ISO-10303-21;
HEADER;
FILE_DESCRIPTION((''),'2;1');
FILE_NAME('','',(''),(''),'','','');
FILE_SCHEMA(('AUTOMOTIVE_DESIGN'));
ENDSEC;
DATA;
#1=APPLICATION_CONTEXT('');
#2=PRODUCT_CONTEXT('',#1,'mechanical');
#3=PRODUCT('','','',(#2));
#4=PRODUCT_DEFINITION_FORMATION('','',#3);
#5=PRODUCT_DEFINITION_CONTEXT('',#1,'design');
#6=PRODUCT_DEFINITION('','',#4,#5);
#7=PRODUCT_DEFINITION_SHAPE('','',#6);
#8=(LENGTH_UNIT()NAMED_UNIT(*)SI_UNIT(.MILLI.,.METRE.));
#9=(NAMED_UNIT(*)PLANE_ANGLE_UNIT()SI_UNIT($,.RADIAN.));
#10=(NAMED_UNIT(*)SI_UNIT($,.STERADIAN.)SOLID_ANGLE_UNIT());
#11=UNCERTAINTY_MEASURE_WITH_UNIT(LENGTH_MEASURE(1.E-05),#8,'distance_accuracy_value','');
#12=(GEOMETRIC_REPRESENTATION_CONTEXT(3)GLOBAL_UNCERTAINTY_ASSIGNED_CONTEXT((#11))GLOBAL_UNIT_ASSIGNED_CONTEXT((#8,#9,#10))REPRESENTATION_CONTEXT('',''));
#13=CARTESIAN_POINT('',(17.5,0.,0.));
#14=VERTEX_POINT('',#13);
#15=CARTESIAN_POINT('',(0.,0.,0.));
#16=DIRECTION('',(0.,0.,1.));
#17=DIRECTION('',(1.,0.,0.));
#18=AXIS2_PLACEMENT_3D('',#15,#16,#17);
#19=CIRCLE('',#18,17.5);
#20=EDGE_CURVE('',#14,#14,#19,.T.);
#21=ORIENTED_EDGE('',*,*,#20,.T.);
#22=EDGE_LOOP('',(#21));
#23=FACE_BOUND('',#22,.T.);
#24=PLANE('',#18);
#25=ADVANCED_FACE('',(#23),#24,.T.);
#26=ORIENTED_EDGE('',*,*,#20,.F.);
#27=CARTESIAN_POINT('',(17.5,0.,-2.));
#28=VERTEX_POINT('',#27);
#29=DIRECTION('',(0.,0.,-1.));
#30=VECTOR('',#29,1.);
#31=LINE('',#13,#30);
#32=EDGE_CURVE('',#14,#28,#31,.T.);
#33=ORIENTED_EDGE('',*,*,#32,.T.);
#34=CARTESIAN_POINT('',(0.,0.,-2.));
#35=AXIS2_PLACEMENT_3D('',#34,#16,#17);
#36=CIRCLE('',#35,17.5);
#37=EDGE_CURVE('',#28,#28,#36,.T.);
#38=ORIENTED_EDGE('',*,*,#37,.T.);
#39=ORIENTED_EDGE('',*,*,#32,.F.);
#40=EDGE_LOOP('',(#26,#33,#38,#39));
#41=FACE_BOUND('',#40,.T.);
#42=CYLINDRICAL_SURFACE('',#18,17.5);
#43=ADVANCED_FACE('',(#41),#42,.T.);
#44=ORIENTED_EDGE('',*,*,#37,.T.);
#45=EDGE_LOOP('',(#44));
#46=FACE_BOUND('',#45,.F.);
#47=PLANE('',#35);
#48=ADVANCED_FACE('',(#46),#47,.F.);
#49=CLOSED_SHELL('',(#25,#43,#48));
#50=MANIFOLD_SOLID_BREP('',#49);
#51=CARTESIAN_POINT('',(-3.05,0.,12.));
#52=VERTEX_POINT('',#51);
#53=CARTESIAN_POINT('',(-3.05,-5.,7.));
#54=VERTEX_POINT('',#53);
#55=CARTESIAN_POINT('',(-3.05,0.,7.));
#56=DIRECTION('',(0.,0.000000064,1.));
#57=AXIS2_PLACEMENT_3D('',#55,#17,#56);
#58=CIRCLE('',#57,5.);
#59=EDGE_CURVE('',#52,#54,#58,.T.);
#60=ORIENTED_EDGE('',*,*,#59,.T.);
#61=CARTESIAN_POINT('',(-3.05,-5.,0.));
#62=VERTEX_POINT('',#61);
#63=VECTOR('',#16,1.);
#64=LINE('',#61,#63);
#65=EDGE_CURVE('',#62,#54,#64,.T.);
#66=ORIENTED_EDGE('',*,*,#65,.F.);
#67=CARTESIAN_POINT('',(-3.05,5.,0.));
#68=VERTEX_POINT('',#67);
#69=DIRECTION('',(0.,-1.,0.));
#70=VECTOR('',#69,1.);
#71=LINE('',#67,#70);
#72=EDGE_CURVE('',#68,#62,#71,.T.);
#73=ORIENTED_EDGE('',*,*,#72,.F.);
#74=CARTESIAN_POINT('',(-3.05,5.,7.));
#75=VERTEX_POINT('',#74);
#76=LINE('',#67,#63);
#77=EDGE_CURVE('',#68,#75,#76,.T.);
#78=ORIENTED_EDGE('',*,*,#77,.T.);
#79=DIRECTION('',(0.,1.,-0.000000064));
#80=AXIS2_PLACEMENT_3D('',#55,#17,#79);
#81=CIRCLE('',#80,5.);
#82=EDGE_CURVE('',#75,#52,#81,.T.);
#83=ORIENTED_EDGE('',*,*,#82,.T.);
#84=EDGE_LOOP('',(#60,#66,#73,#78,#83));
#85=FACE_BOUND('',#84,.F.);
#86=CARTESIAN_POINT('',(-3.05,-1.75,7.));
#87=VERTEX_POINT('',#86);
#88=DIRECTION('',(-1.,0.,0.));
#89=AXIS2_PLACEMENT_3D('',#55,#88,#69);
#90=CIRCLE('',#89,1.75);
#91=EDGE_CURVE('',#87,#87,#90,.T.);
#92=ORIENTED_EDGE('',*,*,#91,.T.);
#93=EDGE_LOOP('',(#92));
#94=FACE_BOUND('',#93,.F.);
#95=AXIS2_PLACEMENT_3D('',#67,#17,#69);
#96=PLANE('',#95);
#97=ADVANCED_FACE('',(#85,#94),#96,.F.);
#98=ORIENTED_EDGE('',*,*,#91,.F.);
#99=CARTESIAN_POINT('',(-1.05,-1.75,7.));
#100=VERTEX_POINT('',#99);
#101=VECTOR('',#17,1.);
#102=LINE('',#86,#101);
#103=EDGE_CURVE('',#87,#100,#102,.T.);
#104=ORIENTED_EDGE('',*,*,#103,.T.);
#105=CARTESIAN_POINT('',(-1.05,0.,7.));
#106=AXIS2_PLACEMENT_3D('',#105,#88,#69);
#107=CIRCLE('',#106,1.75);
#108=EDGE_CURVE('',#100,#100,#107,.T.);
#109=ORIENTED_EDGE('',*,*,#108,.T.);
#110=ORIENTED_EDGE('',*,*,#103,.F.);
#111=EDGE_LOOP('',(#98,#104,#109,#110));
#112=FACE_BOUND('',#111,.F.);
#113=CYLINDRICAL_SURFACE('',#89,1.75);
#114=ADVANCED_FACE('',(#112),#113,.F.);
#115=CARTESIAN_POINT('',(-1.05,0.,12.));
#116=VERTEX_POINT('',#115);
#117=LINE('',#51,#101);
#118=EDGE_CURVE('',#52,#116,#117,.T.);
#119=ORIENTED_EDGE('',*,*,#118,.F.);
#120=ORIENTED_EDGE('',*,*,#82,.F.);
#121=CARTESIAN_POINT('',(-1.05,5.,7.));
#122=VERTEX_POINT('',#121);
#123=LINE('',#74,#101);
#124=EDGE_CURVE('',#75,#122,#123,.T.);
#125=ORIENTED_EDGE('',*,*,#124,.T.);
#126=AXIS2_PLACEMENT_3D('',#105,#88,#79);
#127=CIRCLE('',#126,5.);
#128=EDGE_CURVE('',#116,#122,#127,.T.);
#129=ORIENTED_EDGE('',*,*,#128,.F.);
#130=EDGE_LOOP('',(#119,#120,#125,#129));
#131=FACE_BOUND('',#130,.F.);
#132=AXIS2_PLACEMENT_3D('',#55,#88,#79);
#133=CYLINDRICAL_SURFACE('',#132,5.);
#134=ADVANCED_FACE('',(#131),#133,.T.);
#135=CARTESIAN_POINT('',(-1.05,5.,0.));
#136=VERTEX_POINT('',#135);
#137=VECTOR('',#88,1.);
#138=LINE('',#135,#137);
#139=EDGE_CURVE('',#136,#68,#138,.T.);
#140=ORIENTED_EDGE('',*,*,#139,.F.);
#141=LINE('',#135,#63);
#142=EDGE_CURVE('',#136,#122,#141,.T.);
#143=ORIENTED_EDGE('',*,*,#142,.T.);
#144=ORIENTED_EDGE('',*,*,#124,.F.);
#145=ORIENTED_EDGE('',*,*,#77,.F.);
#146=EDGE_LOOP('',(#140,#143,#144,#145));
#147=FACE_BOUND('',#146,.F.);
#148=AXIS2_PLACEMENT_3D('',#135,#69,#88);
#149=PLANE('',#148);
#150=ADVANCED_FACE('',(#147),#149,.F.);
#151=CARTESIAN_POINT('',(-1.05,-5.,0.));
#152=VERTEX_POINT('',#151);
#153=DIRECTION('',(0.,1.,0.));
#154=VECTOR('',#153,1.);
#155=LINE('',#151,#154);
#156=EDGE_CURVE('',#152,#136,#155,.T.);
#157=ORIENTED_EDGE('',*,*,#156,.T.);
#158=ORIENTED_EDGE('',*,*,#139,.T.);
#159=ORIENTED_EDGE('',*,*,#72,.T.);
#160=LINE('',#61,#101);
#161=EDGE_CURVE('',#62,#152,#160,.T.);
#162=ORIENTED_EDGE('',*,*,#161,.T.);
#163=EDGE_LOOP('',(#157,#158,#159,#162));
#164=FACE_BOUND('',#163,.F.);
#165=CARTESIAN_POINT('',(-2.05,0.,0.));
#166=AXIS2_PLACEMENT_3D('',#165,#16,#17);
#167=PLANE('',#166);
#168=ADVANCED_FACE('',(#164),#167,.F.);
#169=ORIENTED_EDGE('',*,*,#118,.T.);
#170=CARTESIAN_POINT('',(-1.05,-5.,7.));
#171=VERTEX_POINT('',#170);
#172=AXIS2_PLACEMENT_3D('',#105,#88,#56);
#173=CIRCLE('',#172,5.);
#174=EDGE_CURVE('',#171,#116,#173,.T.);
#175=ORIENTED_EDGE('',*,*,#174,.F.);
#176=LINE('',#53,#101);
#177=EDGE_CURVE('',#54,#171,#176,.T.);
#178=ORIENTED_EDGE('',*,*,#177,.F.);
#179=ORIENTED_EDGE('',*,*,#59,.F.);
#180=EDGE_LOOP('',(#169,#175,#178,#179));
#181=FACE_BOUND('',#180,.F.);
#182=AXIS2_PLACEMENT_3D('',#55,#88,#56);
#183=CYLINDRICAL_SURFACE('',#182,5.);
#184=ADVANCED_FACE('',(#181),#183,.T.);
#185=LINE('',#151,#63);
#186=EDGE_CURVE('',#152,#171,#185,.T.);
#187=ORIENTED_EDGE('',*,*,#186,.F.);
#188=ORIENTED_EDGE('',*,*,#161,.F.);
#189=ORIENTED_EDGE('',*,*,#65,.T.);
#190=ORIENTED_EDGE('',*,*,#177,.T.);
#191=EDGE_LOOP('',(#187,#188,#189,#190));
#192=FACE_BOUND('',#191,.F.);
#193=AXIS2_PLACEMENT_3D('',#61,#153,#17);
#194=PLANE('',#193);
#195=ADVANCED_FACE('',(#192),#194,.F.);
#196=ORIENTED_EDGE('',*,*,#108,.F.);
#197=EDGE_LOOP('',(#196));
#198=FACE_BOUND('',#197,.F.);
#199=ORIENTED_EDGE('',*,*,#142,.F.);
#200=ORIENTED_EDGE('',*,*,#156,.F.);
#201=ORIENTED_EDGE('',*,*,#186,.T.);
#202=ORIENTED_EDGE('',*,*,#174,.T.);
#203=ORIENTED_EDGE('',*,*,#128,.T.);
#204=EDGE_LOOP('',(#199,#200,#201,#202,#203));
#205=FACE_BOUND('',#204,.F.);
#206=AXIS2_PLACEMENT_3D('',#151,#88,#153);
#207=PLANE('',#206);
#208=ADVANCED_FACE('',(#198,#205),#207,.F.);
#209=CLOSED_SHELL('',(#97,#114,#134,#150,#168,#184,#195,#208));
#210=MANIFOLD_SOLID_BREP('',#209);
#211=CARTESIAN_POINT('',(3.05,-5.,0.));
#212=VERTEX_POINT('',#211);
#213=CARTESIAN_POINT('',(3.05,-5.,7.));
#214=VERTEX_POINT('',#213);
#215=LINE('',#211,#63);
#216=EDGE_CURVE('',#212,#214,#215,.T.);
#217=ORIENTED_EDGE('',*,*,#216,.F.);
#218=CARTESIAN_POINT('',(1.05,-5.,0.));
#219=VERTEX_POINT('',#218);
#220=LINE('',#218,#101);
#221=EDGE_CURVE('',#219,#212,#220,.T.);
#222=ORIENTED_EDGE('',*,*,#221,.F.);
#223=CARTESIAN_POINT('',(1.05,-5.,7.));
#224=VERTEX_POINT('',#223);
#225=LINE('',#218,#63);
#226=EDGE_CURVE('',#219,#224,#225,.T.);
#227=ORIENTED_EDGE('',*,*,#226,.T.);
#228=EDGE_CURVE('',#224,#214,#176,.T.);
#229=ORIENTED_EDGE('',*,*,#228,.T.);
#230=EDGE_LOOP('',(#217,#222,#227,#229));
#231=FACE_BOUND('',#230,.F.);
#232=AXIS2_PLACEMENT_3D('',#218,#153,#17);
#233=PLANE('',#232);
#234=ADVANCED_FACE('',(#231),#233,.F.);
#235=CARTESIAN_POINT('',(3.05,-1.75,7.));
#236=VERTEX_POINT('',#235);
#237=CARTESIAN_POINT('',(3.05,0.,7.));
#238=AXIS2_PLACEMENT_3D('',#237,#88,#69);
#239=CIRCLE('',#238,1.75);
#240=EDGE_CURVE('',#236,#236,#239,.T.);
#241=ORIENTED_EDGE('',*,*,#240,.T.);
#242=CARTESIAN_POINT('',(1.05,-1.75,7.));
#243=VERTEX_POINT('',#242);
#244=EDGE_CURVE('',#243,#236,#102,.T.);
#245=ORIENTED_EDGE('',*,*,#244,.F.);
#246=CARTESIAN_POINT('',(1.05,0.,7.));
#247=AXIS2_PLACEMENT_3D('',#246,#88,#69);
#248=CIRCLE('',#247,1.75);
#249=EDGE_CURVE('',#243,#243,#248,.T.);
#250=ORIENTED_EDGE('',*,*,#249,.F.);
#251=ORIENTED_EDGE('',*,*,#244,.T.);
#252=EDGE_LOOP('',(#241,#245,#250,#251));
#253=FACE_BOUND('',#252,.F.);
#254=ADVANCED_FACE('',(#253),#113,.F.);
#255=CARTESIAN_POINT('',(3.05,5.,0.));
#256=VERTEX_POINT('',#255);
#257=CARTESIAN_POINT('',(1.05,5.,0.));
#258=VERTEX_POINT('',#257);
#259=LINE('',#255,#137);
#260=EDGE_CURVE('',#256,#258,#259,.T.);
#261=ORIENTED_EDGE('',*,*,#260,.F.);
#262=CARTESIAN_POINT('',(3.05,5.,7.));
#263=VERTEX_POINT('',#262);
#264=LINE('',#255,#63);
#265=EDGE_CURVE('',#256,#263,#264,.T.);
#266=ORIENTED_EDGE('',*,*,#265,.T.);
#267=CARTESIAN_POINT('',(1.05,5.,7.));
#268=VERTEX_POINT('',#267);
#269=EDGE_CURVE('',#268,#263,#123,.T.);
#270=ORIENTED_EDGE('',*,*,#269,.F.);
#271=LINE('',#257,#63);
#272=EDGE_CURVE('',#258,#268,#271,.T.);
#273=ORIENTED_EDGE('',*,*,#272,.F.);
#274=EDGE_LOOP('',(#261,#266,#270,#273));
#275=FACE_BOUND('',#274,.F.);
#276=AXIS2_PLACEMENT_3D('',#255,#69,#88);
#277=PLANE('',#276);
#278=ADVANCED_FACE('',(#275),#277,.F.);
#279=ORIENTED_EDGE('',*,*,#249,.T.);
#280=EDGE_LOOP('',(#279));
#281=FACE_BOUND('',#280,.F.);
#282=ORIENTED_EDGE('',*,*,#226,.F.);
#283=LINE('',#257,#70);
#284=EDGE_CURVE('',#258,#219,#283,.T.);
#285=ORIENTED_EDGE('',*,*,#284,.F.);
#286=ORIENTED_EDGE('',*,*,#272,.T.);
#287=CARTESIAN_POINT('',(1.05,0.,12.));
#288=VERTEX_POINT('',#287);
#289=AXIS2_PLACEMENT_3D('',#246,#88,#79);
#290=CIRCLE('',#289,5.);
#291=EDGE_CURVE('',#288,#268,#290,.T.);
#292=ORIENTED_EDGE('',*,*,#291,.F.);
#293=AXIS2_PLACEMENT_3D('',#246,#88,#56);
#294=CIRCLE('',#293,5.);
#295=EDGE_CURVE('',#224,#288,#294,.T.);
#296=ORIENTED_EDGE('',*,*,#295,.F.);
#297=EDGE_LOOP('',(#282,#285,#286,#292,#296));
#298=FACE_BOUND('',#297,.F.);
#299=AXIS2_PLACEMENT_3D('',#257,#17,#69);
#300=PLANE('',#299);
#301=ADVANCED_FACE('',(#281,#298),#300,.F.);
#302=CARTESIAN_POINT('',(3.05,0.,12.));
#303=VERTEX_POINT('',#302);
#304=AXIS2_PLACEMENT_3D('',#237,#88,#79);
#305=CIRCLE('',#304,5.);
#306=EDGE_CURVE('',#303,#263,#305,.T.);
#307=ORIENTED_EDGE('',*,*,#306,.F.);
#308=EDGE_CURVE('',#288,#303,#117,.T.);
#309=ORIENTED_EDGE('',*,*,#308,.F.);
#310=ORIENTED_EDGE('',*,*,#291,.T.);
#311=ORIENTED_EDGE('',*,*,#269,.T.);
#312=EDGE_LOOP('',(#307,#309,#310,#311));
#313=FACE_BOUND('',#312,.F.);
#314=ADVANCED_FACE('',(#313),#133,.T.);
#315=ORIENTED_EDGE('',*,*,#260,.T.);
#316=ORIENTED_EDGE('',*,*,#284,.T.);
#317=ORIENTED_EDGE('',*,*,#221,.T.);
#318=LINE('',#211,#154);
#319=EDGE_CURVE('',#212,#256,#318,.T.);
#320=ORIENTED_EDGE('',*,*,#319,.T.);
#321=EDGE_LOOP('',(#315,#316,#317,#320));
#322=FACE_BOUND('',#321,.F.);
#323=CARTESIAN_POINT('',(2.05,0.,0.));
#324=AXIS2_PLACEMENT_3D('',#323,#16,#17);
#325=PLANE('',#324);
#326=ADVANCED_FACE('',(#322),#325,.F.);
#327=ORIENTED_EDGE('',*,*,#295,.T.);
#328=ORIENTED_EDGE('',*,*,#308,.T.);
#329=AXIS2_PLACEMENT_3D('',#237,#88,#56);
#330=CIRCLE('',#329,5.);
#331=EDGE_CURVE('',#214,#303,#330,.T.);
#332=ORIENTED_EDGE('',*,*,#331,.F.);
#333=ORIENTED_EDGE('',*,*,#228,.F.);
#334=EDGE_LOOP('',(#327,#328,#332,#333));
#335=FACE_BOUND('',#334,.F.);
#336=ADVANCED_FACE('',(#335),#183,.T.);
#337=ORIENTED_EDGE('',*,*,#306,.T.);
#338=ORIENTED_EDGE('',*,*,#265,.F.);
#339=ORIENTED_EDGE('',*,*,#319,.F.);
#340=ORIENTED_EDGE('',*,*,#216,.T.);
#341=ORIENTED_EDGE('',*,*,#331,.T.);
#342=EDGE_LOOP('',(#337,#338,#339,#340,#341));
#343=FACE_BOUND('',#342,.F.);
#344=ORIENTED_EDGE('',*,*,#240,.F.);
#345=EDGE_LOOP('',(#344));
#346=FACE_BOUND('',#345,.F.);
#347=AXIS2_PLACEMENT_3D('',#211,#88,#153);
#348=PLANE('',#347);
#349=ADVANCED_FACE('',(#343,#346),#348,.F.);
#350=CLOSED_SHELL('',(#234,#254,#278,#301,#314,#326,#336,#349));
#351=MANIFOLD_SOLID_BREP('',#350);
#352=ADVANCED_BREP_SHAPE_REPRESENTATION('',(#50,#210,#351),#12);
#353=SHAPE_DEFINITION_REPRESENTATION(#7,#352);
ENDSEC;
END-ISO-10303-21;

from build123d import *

# Parameters (mm, degrees)
F1_DEPTH = 12
F0_R     = 17.5
F2_DEPTH = 2
F3_R     = 1.75
F4_DEPTH = 25


with BuildPart() as f1:
    # F0 (on Top) → F1 (new body)
    with BuildSketch(Plane.XY):
        Polygon((-3.05, 5), (-3.05, 0), (-3.05, -5), (-1.05, -5), (-1.05, 0), (-1.05, 5), align=None)
        Polygon((3.05, 0), (3.05, 5), (1.05, 5), (1.05, 0), (1.05, -5), (3.05, -5), align=None)
    extrude(amount=F1_DEPTH)

    # F3 (on face) → F4 (cut)
    with BuildSketch(Plane(origin=(-3.05, 0, 0), x_dir=(0, -1, 0), z_dir=(-1, 0, 0))):
        with BuildLine():
            ThreePointArc((0, 12), (3.535534, 10.535534), (5, 7))
            Line((5, 7), (5, 12))
            Line((5, 12), (0, 12))
        make_face()
        with Locations((0, 7)):
            Circle(F3_R)
        with BuildLine():
            ThreePointArc((-5, 7), (-3.535534, 10.535534), (0, 12))
            Line((0, 12), (-5, 12))
            Line((-5, 12), (-5, 7))
        make_face()
    extrude(amount=-F4_DEPTH, mode=Mode.SUBTRACT)


with BuildPart() as f2:
    # F0 (on Top) → F2 (new body)
    with BuildSketch(Plane.XY):
        Circle(F0_R)
        Polygon((-3.05, -5), (-3.05, 0), (-3.05, 5), (-1.05, 5), (-1.05, 0), (-1.05, -5), align=None, mode=Mode.SUBTRACT)
        Polygon((1.05, 5), (3.05, 5), (3.05, 0), (3.05, -5), (1.05, -5), (1.05, 0), align=None, mode=Mode.SUBTRACT)
        Polygon((-3.05, 5), (-3.05, 0), (-3.05, -5), (-1.05, -5), (-1.05, 0), (-1.05, 5), align=None)
        Polygon((3.05, 0), (3.05, 5), (1.05, 5), (1.05, 0), (1.05, -5), (3.05, -5), align=None)
    extrude(amount=-F2_DEPTH)


solid = Compound([f1.part, f2.part])
